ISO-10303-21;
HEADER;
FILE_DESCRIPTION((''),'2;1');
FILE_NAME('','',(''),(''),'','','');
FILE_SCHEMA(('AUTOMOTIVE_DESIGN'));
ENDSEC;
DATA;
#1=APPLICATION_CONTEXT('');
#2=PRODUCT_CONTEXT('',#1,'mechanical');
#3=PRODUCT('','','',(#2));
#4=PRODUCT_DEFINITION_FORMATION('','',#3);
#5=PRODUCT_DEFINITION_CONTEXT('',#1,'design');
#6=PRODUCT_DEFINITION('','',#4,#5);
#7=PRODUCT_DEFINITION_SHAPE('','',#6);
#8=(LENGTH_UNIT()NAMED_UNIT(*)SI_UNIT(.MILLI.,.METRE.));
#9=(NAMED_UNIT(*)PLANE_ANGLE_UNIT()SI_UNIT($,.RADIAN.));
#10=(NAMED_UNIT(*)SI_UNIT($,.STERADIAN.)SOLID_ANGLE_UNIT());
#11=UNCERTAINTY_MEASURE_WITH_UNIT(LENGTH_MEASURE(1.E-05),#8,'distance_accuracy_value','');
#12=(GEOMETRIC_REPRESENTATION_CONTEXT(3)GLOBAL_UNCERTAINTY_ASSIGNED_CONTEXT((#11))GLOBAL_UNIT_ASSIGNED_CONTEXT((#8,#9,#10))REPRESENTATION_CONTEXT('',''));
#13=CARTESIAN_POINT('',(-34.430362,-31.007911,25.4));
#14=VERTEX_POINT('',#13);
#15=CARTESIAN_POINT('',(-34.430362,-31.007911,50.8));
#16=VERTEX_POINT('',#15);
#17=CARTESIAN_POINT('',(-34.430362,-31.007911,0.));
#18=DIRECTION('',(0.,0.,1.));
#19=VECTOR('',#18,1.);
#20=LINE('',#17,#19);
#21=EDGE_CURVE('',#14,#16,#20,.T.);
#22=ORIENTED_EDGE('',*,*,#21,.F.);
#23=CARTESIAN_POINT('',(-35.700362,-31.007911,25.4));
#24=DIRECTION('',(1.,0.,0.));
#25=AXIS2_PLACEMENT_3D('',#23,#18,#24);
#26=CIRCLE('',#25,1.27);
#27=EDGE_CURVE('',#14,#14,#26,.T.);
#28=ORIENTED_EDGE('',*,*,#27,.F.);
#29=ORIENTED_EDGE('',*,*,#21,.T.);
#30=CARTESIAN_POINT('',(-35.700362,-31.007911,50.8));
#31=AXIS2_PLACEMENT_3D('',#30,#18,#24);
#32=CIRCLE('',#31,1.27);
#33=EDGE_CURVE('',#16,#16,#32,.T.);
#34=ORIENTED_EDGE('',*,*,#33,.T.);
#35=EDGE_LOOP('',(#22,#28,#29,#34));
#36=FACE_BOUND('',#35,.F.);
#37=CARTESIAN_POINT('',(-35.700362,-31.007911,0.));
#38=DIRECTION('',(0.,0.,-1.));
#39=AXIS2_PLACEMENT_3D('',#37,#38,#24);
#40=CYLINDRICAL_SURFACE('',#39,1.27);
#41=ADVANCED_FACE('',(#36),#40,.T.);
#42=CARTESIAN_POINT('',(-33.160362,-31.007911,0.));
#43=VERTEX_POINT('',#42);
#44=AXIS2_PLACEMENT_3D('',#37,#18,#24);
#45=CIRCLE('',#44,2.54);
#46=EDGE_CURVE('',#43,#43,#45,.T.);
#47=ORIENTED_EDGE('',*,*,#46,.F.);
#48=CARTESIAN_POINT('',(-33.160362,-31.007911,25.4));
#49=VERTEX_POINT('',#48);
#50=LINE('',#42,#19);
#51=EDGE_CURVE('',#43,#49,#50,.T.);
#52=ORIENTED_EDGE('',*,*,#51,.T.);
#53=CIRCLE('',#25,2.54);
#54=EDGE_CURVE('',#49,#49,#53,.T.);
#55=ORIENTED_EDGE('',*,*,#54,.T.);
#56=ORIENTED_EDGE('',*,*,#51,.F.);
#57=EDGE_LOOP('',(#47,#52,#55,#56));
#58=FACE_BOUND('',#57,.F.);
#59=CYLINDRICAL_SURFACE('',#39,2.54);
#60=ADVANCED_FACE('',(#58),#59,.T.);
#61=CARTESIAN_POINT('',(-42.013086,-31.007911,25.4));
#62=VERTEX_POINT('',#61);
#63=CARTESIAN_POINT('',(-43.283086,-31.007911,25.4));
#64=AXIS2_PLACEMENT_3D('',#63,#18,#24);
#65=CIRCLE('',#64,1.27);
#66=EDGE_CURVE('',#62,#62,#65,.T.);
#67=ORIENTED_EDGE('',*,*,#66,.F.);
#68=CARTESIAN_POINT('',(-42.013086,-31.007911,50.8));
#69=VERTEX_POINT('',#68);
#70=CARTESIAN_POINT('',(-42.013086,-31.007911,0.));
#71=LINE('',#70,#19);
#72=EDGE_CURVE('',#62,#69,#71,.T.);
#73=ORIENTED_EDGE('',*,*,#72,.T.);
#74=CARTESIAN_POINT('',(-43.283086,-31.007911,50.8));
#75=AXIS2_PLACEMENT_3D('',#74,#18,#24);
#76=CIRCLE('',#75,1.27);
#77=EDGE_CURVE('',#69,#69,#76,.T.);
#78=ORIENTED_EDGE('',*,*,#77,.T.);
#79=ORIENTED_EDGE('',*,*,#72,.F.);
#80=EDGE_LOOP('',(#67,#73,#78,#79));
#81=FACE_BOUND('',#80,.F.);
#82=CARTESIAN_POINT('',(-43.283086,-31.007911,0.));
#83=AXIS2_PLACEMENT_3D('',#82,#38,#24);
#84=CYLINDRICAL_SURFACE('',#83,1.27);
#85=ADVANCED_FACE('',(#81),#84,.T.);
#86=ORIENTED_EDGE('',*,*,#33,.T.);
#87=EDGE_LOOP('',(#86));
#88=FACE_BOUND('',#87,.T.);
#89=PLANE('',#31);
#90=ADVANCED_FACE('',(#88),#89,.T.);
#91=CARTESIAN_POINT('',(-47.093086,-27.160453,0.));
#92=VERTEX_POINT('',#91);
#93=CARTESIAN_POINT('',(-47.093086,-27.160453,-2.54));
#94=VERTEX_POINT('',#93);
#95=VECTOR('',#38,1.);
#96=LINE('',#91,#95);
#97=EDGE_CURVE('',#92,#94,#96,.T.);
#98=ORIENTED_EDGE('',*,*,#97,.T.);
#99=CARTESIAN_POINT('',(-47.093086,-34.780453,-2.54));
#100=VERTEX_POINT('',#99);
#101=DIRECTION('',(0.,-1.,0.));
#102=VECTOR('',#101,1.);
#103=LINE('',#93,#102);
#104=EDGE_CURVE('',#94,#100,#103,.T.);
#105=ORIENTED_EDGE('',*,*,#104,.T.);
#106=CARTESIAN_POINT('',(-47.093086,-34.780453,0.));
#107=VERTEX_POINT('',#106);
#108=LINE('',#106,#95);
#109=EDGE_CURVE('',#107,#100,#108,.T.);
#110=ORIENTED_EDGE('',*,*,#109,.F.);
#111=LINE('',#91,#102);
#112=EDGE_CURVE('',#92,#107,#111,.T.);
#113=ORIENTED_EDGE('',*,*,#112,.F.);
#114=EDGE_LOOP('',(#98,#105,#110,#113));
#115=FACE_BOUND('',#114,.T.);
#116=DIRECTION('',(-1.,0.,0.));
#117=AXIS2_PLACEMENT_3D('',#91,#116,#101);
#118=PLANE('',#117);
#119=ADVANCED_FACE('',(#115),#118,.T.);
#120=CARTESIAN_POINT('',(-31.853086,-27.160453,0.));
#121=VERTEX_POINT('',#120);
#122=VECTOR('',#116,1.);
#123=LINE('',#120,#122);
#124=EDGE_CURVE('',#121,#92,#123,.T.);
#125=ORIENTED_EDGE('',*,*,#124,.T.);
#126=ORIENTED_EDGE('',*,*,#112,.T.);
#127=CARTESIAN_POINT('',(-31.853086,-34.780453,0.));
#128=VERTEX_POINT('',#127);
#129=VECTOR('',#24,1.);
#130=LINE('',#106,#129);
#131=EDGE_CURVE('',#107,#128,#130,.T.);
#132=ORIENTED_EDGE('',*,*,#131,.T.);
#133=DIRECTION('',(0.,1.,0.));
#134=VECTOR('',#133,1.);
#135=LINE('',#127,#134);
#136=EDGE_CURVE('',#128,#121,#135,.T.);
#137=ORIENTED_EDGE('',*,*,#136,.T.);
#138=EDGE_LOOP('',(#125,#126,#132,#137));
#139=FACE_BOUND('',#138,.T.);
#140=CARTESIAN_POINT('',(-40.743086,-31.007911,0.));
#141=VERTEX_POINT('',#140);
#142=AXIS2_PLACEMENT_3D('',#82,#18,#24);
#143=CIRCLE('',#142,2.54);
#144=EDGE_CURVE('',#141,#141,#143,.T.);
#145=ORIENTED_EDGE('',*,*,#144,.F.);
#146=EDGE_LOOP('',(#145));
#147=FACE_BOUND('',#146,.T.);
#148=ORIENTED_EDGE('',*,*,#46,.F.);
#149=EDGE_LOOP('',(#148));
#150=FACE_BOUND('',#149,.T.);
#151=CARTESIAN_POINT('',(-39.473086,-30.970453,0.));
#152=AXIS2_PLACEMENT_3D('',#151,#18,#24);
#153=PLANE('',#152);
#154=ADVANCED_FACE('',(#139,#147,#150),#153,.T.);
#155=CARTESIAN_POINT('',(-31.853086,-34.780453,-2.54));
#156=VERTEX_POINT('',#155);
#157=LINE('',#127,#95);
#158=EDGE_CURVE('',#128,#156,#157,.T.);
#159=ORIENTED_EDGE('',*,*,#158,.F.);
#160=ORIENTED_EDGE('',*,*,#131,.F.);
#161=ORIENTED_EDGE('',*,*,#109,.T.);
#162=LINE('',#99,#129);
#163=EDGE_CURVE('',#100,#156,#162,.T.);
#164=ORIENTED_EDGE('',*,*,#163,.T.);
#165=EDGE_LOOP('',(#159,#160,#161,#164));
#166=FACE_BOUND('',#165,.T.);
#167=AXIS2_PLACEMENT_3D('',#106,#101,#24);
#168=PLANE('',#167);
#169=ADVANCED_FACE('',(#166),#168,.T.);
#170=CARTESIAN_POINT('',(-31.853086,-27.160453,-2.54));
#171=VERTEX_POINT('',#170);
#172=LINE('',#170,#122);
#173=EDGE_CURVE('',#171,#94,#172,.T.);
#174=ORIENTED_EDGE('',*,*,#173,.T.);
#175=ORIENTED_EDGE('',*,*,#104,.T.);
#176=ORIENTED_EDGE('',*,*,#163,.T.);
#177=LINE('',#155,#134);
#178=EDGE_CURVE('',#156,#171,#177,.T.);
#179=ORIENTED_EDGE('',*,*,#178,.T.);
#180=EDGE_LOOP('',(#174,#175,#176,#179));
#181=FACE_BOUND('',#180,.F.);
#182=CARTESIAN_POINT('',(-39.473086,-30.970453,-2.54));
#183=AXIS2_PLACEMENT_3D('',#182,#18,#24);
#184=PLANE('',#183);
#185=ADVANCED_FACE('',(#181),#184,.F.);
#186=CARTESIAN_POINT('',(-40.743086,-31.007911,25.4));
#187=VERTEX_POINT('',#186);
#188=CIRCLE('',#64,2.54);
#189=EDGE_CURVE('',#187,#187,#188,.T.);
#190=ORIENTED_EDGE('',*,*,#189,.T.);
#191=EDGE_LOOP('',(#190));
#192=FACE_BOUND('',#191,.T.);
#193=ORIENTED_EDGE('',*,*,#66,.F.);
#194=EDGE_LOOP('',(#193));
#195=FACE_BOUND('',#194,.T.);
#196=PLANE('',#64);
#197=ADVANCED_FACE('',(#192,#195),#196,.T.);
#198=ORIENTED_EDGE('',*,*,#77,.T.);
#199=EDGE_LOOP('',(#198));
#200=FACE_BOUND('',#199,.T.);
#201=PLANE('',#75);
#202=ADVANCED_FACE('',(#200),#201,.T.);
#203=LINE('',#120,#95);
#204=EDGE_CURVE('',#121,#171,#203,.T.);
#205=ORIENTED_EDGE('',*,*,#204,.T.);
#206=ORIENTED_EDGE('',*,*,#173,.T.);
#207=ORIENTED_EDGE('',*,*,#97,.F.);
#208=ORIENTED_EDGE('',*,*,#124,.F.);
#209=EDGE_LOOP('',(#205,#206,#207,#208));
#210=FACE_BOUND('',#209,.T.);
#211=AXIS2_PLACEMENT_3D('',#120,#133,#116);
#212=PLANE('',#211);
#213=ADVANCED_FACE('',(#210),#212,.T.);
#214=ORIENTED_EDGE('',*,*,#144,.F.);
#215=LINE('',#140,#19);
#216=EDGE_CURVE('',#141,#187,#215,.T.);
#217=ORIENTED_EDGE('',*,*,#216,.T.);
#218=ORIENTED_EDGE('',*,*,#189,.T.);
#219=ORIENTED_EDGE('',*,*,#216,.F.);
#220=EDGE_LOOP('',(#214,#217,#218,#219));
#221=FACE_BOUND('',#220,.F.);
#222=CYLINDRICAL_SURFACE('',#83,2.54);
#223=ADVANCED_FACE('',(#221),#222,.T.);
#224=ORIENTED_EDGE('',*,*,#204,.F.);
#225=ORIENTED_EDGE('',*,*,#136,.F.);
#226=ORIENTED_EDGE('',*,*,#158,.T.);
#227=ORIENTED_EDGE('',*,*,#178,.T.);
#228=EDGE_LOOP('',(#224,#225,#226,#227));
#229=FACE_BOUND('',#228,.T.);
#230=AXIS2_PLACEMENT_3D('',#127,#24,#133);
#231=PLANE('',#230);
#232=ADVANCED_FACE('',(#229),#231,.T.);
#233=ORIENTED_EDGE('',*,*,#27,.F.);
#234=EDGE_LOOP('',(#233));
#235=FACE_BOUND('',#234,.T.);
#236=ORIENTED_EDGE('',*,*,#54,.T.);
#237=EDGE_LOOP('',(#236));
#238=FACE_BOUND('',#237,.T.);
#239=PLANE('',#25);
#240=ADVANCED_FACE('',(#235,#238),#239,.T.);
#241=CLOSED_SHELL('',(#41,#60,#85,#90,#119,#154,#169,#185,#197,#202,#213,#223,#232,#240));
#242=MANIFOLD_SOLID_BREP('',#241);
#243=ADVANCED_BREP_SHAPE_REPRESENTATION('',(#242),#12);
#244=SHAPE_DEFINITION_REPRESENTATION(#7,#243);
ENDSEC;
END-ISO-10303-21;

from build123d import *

# Parameters (mm, degrees)
F0_R     = 2.54
F0_R_2   = 1.27
F1_DEPTH = 2.54
F2_DEPTH = 25.4
F3_DEPTH = 50.8


with BuildPart() as f1:
    # F0 (on Top) → F1 (new body)
    with BuildSketch(Plane.XY):
        Polygon((-47.093086, -27.160453), (-47.093086, -34.780453), (-39.473086, -34.780453), (-31.853086, -34.780453), (-31.853086, -27.160453), (-39.473086, -27.160453), align=None)
        with Locations((-43.283086, -31.007911)):
            Circle(F0_R, mode=Mode.SUBTRACT)
        with Locations((-35.700362, -31.007911)):
            Circle(F0_R, mode=Mode.SUBTRACT)
        with Locations((-43.283086, -31.007911)):
            Circle(F0_R)
        with Locations((-43.283086, -31.007911)):
            Circle(F0_R_2, mode=Mode.SUBTRACT)
        with Locations((-43.283086, -31.007911)):
            Circle(F0_R_2)
        with Locations((-35.700362, -31.007911)):
            Circle(F0_R)
        with Locations((-35.700362, -31.007911)):
            Circle(F0_R_2, mode=Mode.SUBTRACT)
        with Locations((-35.700362, -31.007911)):
            Circle(F0_R_2)
    extrude(amount=-F1_DEPTH)

    # F0 (on Top) → F2 (join)
    with BuildSketch(Plane.XY):
        with Locations((-43.283086, -31.007911)):
            Circle(F0_R)
        with Locations((-43.283086, -31.007911)):
            Circle(F0_R_2, mode=Mode.SUBTRACT)
        with Locations((-35.700362, -31.007911)):
            Circle(F0_R)
        with Locations((-35.700362, -31.007911)):
            Circle(F0_R_2, mode=Mode.SUBTRACT)
    extrude(amount=F2_DEPTH)

    # F0 (on Top) → F3 (join)
    with BuildSketch(Plane.XY):
        with Locations((-43.283086, -31.007911)):
            Circle(F0_R_2)
        with Locations((-35.700362, -31.007911)):
            Circle(F0_R_2)
    extrude(amount=F3_DEPTH)


solid = f1.part
